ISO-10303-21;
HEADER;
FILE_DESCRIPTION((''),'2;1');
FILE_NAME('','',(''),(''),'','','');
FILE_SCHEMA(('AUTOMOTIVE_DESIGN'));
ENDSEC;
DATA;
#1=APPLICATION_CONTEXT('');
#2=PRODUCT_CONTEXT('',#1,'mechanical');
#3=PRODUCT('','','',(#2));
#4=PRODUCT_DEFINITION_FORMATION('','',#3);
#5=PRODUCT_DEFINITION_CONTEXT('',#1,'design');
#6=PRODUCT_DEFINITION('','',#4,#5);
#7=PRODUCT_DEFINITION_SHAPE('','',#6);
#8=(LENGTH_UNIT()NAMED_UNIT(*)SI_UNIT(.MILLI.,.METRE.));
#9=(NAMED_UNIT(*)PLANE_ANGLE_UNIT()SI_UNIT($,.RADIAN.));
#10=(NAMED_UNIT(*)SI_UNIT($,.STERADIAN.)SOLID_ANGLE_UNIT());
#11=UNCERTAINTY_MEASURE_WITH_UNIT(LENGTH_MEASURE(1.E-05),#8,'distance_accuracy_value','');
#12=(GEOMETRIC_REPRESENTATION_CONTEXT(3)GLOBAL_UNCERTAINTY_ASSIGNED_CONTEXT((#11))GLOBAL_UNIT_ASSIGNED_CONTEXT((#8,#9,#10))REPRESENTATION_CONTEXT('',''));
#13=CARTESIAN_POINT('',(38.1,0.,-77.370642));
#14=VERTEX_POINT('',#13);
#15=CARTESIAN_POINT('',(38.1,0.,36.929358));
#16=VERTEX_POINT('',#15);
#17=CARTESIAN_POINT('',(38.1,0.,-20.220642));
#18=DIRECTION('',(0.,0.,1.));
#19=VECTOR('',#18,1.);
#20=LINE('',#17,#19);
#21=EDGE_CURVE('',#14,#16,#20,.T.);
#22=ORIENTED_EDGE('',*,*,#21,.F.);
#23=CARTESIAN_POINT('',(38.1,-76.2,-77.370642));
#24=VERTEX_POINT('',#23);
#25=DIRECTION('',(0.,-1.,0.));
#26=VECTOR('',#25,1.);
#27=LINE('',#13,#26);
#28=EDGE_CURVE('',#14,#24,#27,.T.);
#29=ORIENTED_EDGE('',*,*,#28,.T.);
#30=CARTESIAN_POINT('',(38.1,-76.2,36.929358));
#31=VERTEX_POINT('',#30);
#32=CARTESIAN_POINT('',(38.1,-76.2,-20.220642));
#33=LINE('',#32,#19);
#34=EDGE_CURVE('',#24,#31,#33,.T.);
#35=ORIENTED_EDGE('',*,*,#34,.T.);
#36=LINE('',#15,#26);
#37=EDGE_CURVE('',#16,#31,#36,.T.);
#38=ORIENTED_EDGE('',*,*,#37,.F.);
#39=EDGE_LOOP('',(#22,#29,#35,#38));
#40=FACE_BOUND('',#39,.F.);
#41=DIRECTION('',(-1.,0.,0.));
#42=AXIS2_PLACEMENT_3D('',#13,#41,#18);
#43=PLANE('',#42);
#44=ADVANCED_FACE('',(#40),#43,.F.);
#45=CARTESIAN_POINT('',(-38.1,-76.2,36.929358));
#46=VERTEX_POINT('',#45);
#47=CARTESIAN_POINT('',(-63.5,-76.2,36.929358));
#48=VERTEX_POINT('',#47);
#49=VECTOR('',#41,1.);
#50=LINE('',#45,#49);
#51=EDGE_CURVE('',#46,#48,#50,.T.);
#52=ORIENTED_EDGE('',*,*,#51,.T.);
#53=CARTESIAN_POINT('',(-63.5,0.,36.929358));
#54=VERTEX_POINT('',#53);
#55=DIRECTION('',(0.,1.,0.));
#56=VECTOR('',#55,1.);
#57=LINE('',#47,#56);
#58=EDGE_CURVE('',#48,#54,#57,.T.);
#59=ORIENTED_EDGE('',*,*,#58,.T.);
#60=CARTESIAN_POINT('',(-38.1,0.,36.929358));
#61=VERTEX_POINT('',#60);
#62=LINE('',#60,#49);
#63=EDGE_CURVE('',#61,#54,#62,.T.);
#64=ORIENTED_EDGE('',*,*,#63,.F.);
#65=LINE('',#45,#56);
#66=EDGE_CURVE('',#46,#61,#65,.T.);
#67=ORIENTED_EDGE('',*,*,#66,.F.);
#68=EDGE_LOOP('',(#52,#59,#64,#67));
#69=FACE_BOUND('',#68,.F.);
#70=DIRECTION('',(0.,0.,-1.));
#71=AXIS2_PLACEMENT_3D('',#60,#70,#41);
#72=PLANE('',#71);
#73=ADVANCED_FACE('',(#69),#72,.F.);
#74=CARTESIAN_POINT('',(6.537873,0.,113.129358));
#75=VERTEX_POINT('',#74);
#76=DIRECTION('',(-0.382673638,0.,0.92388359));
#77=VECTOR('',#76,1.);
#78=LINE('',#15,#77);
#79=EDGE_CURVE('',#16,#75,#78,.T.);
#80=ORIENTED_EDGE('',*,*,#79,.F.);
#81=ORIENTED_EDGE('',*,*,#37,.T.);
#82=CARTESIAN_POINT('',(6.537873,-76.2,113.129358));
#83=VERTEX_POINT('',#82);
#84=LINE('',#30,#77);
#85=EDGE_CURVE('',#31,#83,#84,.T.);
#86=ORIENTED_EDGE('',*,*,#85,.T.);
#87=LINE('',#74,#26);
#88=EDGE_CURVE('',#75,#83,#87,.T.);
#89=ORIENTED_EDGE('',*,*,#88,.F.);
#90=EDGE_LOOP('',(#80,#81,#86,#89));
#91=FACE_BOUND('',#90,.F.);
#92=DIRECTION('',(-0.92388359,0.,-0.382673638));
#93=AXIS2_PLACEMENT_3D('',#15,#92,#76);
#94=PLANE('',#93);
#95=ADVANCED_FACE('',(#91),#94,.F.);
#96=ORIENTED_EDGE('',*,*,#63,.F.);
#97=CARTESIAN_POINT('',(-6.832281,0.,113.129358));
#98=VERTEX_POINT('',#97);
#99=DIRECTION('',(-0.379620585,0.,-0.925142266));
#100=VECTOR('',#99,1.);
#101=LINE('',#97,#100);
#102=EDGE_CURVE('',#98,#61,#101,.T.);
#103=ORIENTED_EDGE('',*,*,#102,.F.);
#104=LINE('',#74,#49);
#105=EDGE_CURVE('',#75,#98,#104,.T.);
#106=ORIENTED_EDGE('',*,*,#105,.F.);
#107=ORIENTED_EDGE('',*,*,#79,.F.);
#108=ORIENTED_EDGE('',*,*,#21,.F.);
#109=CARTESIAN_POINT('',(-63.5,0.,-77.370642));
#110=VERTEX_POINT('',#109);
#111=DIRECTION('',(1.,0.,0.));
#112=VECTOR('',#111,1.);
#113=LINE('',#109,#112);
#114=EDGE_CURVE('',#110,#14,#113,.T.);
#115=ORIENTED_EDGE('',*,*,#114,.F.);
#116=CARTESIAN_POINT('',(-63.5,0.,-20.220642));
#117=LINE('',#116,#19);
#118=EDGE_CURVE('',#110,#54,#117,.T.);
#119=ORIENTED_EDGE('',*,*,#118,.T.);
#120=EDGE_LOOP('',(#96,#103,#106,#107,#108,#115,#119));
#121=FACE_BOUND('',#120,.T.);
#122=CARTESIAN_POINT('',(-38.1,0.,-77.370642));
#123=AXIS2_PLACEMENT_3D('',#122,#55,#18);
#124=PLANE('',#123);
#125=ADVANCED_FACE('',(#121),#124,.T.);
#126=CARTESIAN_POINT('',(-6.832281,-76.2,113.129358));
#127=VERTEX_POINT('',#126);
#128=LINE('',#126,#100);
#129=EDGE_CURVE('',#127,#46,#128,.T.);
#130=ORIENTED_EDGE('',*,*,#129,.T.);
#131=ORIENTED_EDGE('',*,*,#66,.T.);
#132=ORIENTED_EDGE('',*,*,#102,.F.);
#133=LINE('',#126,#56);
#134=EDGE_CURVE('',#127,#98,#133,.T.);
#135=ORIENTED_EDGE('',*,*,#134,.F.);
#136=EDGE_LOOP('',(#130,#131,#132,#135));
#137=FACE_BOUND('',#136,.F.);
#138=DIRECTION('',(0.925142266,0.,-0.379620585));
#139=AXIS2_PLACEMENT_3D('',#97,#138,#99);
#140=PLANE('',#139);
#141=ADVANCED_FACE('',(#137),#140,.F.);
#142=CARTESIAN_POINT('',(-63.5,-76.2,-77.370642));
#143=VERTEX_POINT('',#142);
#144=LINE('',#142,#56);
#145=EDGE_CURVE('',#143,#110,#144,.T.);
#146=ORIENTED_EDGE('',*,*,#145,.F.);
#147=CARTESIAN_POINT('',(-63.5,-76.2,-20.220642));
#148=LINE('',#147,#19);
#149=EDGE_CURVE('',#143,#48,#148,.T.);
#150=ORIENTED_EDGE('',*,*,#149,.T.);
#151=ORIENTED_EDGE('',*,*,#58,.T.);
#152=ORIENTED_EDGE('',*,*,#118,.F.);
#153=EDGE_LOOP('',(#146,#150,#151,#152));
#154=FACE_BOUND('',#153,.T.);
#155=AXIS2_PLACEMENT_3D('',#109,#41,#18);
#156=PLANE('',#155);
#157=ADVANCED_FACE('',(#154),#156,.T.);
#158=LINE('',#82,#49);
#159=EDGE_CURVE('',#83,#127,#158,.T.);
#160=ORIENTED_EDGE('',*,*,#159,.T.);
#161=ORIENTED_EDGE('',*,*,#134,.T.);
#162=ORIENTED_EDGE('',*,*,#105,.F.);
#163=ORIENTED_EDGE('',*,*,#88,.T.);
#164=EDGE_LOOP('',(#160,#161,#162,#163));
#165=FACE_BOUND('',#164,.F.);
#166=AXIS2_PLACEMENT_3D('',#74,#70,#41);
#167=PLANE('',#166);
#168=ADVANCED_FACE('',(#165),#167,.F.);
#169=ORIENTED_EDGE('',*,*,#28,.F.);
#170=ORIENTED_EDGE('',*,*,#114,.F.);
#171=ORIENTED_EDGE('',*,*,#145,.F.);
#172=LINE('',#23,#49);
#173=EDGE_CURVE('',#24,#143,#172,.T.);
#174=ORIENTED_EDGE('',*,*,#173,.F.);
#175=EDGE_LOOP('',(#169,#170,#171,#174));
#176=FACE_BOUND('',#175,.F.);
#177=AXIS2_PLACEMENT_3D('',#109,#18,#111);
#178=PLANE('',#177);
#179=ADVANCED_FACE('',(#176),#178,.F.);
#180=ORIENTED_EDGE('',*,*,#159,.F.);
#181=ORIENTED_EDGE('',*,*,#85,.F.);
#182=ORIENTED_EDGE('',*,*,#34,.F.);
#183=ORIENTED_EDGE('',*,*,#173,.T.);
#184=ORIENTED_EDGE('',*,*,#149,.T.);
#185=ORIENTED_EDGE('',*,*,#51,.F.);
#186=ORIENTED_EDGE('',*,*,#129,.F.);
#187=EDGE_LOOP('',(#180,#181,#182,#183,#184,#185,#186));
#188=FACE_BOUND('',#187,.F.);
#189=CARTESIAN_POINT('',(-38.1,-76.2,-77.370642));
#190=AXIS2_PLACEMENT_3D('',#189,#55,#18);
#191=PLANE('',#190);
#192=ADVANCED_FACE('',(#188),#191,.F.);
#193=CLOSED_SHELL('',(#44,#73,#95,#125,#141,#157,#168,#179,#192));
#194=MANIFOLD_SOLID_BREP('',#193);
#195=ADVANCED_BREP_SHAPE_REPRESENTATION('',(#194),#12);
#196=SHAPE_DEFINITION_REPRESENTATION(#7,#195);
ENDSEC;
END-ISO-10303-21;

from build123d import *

# Parameters (mm, degrees)
F0_W     = 9.525
F0_H     = 114.3
F1_DEPTH = 76.2
F3_DEPTH = 26.416
F4_DEPTH = 66.294
F5_DEPTH = 25.4
F6_DEPTH = 22.098


with BuildPart() as f1:
    # F0 (on Front) → F1 (new body)
    with BuildSketch(Plane.XZ):
        Polygon((6.5378730087, 113.1293577969), (0, 113.1293577969), (-6.8322808368, 113.1293577969), (-38.1, 36.9293577969), (-28.575, 36.9293577969), (-19.05, 36.9293577969), (-9.525, 36.9293577969), (0, 36.9293577969), (9.525, 36.9293577969), (19.05, 36.9293577969), (28.575, 36.9293577969), (38.1, 36.9293577969), align=None)
        with Locations((-33.3375, -20.2206422031)):
            Rectangle(F0_W, F0_H)
        with Locations((33.3375, -20.2206422031)):
            Rectangle(F0_W, F0_H)
        with Locations((-23.8125, -20.2206422031)):
            Rectangle(F0_W, F0_H)
        with Locations((23.8125, -20.2206422031)):
            Rectangle(F0_W, F0_H)
        with Locations((-14.2875, -20.2206422031)):
            Rectangle(F0_W, F0_H)
        with Locations((14.2875, -20.2206422031)):
            Rectangle(F0_W, F0_H)
        with Locations((-4.7625, -20.2206422031)):
            Rectangle(F0_W, F0_H)
        with Locations((4.7625, -20.2206422031)):
            Rectangle(F0_W, F0_H)
    extrude(amount=F1_DEPTH)

    # F3 (add): a face of the model
    f3_faces = [f1.faces().sort_by_distance(p)[0] for p in [
        (-0.0158753799, -76.2, 4.0859057687),
    ]]
    extrude(f3_faces, amount=-F3_DEPTH)

    # F0 (on Front) → F4 (join)
    with BuildSketch(Plane.XZ):
        Polygon((6.5378730087, 113.1293577969), (0, 113.1293577969), (-6.8322808368, 113.1293577969), (-38.1, 36.9293577969), (-28.575, 36.9293577969), (-19.05, 36.9293577969), (-9.525, 36.9293577969), (0, 36.9293577969), (9.525, 36.9293577969), (19.05, 36.9293577969), (28.575, 36.9293577969), (38.1, 36.9293577969), align=None)
        with Locations((-33.3375, -20.2206422031)):
            Rectangle(F0_W, F0_H)
        with Locations((33.3375, -20.2206422031)):
            Rectangle(F0_W, F0_H)
        with Locations((-23.8125, -20.2206422031)):
            Rectangle(F0_W, F0_H)
        with Locations((23.8125, -20.2206422031)):
            Rectangle(F0_W, F0_H)
        with Locations((-14.2875, -20.2206422031)):
            Rectangle(F0_W, F0_H)
        with Locations((14.2875, -20.2206422031)):
            Rectangle(F0_W, F0_H)
        with Locations((-4.7625, -20.2206422031)):
            Rectangle(F0_W, F0_H)
        with Locations((4.7625, -20.2206422031)):
            Rectangle(F0_W, F0_H)
    extrude(amount=F4_DEPTH)

    # F5 (add): a face of the model
    f5_faces = [f1.faces().sort_by_distance(p)[0] for p in [
        (-38.1, -38.1, -20.2206422031),
    ]]
    extrude(f5_faces, amount=F5_DEPTH)

    # F6 (add): a face of the model
    f6_faces = [f1.faces().sort_by_distance(p)[0] for p in [
        (-9.8283580395, 0, -0.6105930343),
    ]]
    extrude(f6_faces, amount=-F6_DEPTH)


solid = f1.part
